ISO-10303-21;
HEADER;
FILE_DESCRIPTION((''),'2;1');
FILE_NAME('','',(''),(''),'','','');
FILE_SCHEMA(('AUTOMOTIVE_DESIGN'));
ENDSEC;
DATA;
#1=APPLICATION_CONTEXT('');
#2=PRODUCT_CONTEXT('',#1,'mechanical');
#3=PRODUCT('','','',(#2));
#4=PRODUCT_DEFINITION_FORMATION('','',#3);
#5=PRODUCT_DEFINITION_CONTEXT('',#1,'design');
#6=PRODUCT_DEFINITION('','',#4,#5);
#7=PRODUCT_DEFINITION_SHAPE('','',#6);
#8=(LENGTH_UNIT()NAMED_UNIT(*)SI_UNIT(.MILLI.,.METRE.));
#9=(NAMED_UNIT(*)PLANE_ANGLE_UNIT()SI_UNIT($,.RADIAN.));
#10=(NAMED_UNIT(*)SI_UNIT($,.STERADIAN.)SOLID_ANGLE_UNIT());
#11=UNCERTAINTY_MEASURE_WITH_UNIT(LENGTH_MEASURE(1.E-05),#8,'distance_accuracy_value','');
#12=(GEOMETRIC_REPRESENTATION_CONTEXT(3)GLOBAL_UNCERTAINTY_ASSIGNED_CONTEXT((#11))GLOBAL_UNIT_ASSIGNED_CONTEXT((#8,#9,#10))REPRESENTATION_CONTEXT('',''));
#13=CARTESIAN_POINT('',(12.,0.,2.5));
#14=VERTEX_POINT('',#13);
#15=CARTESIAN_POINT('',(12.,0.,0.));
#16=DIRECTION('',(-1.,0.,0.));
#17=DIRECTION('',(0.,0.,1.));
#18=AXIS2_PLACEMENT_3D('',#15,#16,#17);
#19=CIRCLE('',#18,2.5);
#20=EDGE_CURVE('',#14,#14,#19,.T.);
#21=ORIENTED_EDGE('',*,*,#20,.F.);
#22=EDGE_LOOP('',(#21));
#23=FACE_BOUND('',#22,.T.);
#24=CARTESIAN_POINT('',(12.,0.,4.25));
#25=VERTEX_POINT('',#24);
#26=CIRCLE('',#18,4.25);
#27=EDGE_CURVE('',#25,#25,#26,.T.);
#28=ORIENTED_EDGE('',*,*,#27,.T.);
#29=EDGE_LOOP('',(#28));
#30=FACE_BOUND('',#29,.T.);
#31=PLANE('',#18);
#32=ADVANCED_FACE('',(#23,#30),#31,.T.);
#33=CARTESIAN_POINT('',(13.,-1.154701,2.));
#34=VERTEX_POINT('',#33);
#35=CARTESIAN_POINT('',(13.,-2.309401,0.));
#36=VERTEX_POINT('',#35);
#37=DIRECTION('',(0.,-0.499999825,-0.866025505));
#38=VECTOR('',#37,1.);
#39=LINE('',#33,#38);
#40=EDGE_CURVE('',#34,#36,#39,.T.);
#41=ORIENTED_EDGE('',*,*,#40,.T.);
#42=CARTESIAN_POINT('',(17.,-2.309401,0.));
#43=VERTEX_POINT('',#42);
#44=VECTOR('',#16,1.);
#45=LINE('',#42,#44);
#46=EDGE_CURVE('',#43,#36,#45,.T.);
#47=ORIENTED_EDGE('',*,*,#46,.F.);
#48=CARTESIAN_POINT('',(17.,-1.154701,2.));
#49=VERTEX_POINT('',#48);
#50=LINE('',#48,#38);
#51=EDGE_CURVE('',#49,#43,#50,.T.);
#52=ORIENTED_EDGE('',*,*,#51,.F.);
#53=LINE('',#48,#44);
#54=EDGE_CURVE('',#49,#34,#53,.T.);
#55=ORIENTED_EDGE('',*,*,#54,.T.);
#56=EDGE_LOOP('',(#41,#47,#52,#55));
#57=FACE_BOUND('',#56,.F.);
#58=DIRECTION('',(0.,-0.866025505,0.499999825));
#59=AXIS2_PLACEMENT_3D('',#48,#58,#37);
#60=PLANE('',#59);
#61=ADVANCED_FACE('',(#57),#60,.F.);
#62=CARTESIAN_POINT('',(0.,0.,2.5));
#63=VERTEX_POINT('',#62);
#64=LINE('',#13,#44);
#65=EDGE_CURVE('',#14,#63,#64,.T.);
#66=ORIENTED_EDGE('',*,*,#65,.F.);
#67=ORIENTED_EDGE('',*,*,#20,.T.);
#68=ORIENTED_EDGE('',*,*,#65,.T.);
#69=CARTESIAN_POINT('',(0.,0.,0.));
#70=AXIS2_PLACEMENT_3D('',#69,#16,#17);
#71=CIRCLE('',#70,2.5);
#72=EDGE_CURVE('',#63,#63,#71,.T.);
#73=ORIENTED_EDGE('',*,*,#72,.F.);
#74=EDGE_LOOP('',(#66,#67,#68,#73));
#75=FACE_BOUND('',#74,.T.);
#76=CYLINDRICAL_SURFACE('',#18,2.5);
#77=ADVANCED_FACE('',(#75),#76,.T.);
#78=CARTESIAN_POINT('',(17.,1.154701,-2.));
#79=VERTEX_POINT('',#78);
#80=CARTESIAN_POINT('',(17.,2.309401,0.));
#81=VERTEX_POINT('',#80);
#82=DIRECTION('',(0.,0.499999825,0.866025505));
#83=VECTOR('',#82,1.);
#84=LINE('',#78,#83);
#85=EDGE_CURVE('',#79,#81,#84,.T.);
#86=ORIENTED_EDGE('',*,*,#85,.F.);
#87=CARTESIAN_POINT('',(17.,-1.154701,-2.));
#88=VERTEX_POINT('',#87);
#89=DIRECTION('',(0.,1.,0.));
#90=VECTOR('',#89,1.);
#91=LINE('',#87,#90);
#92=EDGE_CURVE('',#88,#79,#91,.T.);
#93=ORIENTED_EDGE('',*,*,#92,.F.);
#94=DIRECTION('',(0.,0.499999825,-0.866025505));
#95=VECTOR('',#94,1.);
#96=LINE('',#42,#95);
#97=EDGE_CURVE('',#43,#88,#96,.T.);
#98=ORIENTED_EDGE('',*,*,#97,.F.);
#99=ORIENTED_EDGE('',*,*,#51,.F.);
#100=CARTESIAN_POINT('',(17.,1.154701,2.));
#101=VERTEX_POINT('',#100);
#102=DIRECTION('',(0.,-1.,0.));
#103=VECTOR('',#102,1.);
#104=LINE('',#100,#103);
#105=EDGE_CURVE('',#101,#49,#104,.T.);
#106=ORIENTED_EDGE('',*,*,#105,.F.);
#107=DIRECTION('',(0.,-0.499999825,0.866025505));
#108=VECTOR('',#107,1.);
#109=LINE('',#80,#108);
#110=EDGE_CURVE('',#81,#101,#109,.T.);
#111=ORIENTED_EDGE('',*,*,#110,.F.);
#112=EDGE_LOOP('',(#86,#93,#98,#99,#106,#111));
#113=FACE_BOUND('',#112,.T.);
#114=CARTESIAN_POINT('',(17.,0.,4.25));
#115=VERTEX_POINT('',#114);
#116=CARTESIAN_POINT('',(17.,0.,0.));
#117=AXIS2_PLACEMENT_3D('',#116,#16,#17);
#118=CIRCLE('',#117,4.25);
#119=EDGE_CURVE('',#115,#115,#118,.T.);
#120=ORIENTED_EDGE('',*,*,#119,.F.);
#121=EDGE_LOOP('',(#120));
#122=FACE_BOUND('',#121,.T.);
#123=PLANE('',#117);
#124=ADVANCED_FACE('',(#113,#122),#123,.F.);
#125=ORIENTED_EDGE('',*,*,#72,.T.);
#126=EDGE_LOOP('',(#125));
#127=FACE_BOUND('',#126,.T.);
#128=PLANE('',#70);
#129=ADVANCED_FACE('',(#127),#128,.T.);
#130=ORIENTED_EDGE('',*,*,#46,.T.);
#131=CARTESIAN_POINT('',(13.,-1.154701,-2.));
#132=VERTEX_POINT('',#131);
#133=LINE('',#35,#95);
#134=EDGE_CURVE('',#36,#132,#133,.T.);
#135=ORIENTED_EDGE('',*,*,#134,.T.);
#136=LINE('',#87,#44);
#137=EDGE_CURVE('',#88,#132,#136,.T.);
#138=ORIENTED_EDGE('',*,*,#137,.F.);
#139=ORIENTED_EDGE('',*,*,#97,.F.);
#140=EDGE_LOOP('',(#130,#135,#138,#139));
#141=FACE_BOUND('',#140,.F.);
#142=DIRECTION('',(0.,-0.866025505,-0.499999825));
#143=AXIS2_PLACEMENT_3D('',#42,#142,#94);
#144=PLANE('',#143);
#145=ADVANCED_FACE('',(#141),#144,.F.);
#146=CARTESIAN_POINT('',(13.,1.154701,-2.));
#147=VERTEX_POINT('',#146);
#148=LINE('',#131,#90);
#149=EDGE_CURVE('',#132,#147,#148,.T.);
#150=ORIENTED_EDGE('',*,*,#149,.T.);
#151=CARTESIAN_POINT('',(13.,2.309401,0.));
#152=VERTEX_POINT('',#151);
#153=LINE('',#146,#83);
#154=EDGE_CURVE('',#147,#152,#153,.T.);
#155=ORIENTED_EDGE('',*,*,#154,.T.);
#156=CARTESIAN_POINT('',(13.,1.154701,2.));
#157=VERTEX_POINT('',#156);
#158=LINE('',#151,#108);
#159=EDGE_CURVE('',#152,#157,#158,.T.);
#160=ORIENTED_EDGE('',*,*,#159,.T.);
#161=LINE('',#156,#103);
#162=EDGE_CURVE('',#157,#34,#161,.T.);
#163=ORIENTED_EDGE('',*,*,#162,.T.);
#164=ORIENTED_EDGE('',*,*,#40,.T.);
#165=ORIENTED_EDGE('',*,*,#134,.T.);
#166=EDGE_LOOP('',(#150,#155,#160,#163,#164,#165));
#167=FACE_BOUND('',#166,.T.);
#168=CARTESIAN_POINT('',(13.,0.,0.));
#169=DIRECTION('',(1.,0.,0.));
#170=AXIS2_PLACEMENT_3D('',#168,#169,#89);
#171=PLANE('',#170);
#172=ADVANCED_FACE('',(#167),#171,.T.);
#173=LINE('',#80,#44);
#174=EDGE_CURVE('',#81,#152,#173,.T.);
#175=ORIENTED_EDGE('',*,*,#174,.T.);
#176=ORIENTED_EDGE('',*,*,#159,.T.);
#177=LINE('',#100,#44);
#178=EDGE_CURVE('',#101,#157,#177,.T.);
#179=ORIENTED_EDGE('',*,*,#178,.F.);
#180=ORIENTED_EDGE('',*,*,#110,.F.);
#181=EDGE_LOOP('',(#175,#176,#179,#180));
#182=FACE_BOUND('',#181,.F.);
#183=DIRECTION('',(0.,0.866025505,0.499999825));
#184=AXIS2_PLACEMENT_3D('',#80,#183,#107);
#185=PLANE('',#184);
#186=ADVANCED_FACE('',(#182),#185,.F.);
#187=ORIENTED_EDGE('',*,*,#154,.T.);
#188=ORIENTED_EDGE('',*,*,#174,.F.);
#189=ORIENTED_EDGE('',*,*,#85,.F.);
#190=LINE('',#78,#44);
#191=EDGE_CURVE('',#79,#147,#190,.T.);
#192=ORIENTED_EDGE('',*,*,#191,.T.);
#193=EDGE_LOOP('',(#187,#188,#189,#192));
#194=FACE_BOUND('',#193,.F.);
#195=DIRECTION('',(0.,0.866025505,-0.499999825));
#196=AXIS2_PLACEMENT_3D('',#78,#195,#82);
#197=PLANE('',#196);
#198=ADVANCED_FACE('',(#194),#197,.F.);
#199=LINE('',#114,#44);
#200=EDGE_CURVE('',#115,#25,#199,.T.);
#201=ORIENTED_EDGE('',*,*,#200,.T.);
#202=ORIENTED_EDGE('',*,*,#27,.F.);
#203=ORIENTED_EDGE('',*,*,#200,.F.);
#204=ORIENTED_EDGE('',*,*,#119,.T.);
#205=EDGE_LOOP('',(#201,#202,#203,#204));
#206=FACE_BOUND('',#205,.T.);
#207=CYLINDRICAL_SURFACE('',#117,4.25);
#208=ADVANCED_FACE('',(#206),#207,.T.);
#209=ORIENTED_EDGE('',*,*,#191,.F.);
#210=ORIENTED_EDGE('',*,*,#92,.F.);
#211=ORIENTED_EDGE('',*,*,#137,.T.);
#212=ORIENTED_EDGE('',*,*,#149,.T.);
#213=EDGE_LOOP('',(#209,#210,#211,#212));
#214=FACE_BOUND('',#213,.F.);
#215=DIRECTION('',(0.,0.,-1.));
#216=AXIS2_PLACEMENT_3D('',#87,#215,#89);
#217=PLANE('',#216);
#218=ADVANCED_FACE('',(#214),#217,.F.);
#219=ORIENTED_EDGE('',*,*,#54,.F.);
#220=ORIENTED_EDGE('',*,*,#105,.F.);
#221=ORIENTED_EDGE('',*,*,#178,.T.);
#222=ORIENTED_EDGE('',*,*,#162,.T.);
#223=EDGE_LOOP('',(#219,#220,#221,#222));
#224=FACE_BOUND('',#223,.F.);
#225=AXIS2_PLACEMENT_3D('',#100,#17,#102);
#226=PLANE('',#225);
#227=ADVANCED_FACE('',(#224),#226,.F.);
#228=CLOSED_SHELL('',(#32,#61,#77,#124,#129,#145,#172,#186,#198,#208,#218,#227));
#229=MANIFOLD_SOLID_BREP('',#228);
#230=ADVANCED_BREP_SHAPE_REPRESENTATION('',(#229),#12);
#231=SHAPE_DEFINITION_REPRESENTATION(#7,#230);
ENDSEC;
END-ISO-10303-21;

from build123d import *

# Parameters (mm, degrees)
F3_DEPTH = 4


with BuildPart() as f1:
    # F0 (on Front) → F1 (revolve)
    with BuildSketch(Plane.XZ):
        Polygon((0, 2.5), (0, 0), (17, 0), (17, 4.25), (12, 4.25), (12, 2.5), align=None)
    revolve(axis=Axis((8.5, 0, 0), (-1, 0, 0)))

    # F2 (on face) → F3 (cut)
    with BuildSketch(Plane.YZ.offset(17)):
        Polygon((1.154701, 2), (-1.154701, 2), (-2.309401, 0), (-1.154701, -2), (1.154701, -2), (2.309401, 0), align=None)
    extrude(amount=-F3_DEPTH, mode=Mode.SUBTRACT)


solid = f1.part
